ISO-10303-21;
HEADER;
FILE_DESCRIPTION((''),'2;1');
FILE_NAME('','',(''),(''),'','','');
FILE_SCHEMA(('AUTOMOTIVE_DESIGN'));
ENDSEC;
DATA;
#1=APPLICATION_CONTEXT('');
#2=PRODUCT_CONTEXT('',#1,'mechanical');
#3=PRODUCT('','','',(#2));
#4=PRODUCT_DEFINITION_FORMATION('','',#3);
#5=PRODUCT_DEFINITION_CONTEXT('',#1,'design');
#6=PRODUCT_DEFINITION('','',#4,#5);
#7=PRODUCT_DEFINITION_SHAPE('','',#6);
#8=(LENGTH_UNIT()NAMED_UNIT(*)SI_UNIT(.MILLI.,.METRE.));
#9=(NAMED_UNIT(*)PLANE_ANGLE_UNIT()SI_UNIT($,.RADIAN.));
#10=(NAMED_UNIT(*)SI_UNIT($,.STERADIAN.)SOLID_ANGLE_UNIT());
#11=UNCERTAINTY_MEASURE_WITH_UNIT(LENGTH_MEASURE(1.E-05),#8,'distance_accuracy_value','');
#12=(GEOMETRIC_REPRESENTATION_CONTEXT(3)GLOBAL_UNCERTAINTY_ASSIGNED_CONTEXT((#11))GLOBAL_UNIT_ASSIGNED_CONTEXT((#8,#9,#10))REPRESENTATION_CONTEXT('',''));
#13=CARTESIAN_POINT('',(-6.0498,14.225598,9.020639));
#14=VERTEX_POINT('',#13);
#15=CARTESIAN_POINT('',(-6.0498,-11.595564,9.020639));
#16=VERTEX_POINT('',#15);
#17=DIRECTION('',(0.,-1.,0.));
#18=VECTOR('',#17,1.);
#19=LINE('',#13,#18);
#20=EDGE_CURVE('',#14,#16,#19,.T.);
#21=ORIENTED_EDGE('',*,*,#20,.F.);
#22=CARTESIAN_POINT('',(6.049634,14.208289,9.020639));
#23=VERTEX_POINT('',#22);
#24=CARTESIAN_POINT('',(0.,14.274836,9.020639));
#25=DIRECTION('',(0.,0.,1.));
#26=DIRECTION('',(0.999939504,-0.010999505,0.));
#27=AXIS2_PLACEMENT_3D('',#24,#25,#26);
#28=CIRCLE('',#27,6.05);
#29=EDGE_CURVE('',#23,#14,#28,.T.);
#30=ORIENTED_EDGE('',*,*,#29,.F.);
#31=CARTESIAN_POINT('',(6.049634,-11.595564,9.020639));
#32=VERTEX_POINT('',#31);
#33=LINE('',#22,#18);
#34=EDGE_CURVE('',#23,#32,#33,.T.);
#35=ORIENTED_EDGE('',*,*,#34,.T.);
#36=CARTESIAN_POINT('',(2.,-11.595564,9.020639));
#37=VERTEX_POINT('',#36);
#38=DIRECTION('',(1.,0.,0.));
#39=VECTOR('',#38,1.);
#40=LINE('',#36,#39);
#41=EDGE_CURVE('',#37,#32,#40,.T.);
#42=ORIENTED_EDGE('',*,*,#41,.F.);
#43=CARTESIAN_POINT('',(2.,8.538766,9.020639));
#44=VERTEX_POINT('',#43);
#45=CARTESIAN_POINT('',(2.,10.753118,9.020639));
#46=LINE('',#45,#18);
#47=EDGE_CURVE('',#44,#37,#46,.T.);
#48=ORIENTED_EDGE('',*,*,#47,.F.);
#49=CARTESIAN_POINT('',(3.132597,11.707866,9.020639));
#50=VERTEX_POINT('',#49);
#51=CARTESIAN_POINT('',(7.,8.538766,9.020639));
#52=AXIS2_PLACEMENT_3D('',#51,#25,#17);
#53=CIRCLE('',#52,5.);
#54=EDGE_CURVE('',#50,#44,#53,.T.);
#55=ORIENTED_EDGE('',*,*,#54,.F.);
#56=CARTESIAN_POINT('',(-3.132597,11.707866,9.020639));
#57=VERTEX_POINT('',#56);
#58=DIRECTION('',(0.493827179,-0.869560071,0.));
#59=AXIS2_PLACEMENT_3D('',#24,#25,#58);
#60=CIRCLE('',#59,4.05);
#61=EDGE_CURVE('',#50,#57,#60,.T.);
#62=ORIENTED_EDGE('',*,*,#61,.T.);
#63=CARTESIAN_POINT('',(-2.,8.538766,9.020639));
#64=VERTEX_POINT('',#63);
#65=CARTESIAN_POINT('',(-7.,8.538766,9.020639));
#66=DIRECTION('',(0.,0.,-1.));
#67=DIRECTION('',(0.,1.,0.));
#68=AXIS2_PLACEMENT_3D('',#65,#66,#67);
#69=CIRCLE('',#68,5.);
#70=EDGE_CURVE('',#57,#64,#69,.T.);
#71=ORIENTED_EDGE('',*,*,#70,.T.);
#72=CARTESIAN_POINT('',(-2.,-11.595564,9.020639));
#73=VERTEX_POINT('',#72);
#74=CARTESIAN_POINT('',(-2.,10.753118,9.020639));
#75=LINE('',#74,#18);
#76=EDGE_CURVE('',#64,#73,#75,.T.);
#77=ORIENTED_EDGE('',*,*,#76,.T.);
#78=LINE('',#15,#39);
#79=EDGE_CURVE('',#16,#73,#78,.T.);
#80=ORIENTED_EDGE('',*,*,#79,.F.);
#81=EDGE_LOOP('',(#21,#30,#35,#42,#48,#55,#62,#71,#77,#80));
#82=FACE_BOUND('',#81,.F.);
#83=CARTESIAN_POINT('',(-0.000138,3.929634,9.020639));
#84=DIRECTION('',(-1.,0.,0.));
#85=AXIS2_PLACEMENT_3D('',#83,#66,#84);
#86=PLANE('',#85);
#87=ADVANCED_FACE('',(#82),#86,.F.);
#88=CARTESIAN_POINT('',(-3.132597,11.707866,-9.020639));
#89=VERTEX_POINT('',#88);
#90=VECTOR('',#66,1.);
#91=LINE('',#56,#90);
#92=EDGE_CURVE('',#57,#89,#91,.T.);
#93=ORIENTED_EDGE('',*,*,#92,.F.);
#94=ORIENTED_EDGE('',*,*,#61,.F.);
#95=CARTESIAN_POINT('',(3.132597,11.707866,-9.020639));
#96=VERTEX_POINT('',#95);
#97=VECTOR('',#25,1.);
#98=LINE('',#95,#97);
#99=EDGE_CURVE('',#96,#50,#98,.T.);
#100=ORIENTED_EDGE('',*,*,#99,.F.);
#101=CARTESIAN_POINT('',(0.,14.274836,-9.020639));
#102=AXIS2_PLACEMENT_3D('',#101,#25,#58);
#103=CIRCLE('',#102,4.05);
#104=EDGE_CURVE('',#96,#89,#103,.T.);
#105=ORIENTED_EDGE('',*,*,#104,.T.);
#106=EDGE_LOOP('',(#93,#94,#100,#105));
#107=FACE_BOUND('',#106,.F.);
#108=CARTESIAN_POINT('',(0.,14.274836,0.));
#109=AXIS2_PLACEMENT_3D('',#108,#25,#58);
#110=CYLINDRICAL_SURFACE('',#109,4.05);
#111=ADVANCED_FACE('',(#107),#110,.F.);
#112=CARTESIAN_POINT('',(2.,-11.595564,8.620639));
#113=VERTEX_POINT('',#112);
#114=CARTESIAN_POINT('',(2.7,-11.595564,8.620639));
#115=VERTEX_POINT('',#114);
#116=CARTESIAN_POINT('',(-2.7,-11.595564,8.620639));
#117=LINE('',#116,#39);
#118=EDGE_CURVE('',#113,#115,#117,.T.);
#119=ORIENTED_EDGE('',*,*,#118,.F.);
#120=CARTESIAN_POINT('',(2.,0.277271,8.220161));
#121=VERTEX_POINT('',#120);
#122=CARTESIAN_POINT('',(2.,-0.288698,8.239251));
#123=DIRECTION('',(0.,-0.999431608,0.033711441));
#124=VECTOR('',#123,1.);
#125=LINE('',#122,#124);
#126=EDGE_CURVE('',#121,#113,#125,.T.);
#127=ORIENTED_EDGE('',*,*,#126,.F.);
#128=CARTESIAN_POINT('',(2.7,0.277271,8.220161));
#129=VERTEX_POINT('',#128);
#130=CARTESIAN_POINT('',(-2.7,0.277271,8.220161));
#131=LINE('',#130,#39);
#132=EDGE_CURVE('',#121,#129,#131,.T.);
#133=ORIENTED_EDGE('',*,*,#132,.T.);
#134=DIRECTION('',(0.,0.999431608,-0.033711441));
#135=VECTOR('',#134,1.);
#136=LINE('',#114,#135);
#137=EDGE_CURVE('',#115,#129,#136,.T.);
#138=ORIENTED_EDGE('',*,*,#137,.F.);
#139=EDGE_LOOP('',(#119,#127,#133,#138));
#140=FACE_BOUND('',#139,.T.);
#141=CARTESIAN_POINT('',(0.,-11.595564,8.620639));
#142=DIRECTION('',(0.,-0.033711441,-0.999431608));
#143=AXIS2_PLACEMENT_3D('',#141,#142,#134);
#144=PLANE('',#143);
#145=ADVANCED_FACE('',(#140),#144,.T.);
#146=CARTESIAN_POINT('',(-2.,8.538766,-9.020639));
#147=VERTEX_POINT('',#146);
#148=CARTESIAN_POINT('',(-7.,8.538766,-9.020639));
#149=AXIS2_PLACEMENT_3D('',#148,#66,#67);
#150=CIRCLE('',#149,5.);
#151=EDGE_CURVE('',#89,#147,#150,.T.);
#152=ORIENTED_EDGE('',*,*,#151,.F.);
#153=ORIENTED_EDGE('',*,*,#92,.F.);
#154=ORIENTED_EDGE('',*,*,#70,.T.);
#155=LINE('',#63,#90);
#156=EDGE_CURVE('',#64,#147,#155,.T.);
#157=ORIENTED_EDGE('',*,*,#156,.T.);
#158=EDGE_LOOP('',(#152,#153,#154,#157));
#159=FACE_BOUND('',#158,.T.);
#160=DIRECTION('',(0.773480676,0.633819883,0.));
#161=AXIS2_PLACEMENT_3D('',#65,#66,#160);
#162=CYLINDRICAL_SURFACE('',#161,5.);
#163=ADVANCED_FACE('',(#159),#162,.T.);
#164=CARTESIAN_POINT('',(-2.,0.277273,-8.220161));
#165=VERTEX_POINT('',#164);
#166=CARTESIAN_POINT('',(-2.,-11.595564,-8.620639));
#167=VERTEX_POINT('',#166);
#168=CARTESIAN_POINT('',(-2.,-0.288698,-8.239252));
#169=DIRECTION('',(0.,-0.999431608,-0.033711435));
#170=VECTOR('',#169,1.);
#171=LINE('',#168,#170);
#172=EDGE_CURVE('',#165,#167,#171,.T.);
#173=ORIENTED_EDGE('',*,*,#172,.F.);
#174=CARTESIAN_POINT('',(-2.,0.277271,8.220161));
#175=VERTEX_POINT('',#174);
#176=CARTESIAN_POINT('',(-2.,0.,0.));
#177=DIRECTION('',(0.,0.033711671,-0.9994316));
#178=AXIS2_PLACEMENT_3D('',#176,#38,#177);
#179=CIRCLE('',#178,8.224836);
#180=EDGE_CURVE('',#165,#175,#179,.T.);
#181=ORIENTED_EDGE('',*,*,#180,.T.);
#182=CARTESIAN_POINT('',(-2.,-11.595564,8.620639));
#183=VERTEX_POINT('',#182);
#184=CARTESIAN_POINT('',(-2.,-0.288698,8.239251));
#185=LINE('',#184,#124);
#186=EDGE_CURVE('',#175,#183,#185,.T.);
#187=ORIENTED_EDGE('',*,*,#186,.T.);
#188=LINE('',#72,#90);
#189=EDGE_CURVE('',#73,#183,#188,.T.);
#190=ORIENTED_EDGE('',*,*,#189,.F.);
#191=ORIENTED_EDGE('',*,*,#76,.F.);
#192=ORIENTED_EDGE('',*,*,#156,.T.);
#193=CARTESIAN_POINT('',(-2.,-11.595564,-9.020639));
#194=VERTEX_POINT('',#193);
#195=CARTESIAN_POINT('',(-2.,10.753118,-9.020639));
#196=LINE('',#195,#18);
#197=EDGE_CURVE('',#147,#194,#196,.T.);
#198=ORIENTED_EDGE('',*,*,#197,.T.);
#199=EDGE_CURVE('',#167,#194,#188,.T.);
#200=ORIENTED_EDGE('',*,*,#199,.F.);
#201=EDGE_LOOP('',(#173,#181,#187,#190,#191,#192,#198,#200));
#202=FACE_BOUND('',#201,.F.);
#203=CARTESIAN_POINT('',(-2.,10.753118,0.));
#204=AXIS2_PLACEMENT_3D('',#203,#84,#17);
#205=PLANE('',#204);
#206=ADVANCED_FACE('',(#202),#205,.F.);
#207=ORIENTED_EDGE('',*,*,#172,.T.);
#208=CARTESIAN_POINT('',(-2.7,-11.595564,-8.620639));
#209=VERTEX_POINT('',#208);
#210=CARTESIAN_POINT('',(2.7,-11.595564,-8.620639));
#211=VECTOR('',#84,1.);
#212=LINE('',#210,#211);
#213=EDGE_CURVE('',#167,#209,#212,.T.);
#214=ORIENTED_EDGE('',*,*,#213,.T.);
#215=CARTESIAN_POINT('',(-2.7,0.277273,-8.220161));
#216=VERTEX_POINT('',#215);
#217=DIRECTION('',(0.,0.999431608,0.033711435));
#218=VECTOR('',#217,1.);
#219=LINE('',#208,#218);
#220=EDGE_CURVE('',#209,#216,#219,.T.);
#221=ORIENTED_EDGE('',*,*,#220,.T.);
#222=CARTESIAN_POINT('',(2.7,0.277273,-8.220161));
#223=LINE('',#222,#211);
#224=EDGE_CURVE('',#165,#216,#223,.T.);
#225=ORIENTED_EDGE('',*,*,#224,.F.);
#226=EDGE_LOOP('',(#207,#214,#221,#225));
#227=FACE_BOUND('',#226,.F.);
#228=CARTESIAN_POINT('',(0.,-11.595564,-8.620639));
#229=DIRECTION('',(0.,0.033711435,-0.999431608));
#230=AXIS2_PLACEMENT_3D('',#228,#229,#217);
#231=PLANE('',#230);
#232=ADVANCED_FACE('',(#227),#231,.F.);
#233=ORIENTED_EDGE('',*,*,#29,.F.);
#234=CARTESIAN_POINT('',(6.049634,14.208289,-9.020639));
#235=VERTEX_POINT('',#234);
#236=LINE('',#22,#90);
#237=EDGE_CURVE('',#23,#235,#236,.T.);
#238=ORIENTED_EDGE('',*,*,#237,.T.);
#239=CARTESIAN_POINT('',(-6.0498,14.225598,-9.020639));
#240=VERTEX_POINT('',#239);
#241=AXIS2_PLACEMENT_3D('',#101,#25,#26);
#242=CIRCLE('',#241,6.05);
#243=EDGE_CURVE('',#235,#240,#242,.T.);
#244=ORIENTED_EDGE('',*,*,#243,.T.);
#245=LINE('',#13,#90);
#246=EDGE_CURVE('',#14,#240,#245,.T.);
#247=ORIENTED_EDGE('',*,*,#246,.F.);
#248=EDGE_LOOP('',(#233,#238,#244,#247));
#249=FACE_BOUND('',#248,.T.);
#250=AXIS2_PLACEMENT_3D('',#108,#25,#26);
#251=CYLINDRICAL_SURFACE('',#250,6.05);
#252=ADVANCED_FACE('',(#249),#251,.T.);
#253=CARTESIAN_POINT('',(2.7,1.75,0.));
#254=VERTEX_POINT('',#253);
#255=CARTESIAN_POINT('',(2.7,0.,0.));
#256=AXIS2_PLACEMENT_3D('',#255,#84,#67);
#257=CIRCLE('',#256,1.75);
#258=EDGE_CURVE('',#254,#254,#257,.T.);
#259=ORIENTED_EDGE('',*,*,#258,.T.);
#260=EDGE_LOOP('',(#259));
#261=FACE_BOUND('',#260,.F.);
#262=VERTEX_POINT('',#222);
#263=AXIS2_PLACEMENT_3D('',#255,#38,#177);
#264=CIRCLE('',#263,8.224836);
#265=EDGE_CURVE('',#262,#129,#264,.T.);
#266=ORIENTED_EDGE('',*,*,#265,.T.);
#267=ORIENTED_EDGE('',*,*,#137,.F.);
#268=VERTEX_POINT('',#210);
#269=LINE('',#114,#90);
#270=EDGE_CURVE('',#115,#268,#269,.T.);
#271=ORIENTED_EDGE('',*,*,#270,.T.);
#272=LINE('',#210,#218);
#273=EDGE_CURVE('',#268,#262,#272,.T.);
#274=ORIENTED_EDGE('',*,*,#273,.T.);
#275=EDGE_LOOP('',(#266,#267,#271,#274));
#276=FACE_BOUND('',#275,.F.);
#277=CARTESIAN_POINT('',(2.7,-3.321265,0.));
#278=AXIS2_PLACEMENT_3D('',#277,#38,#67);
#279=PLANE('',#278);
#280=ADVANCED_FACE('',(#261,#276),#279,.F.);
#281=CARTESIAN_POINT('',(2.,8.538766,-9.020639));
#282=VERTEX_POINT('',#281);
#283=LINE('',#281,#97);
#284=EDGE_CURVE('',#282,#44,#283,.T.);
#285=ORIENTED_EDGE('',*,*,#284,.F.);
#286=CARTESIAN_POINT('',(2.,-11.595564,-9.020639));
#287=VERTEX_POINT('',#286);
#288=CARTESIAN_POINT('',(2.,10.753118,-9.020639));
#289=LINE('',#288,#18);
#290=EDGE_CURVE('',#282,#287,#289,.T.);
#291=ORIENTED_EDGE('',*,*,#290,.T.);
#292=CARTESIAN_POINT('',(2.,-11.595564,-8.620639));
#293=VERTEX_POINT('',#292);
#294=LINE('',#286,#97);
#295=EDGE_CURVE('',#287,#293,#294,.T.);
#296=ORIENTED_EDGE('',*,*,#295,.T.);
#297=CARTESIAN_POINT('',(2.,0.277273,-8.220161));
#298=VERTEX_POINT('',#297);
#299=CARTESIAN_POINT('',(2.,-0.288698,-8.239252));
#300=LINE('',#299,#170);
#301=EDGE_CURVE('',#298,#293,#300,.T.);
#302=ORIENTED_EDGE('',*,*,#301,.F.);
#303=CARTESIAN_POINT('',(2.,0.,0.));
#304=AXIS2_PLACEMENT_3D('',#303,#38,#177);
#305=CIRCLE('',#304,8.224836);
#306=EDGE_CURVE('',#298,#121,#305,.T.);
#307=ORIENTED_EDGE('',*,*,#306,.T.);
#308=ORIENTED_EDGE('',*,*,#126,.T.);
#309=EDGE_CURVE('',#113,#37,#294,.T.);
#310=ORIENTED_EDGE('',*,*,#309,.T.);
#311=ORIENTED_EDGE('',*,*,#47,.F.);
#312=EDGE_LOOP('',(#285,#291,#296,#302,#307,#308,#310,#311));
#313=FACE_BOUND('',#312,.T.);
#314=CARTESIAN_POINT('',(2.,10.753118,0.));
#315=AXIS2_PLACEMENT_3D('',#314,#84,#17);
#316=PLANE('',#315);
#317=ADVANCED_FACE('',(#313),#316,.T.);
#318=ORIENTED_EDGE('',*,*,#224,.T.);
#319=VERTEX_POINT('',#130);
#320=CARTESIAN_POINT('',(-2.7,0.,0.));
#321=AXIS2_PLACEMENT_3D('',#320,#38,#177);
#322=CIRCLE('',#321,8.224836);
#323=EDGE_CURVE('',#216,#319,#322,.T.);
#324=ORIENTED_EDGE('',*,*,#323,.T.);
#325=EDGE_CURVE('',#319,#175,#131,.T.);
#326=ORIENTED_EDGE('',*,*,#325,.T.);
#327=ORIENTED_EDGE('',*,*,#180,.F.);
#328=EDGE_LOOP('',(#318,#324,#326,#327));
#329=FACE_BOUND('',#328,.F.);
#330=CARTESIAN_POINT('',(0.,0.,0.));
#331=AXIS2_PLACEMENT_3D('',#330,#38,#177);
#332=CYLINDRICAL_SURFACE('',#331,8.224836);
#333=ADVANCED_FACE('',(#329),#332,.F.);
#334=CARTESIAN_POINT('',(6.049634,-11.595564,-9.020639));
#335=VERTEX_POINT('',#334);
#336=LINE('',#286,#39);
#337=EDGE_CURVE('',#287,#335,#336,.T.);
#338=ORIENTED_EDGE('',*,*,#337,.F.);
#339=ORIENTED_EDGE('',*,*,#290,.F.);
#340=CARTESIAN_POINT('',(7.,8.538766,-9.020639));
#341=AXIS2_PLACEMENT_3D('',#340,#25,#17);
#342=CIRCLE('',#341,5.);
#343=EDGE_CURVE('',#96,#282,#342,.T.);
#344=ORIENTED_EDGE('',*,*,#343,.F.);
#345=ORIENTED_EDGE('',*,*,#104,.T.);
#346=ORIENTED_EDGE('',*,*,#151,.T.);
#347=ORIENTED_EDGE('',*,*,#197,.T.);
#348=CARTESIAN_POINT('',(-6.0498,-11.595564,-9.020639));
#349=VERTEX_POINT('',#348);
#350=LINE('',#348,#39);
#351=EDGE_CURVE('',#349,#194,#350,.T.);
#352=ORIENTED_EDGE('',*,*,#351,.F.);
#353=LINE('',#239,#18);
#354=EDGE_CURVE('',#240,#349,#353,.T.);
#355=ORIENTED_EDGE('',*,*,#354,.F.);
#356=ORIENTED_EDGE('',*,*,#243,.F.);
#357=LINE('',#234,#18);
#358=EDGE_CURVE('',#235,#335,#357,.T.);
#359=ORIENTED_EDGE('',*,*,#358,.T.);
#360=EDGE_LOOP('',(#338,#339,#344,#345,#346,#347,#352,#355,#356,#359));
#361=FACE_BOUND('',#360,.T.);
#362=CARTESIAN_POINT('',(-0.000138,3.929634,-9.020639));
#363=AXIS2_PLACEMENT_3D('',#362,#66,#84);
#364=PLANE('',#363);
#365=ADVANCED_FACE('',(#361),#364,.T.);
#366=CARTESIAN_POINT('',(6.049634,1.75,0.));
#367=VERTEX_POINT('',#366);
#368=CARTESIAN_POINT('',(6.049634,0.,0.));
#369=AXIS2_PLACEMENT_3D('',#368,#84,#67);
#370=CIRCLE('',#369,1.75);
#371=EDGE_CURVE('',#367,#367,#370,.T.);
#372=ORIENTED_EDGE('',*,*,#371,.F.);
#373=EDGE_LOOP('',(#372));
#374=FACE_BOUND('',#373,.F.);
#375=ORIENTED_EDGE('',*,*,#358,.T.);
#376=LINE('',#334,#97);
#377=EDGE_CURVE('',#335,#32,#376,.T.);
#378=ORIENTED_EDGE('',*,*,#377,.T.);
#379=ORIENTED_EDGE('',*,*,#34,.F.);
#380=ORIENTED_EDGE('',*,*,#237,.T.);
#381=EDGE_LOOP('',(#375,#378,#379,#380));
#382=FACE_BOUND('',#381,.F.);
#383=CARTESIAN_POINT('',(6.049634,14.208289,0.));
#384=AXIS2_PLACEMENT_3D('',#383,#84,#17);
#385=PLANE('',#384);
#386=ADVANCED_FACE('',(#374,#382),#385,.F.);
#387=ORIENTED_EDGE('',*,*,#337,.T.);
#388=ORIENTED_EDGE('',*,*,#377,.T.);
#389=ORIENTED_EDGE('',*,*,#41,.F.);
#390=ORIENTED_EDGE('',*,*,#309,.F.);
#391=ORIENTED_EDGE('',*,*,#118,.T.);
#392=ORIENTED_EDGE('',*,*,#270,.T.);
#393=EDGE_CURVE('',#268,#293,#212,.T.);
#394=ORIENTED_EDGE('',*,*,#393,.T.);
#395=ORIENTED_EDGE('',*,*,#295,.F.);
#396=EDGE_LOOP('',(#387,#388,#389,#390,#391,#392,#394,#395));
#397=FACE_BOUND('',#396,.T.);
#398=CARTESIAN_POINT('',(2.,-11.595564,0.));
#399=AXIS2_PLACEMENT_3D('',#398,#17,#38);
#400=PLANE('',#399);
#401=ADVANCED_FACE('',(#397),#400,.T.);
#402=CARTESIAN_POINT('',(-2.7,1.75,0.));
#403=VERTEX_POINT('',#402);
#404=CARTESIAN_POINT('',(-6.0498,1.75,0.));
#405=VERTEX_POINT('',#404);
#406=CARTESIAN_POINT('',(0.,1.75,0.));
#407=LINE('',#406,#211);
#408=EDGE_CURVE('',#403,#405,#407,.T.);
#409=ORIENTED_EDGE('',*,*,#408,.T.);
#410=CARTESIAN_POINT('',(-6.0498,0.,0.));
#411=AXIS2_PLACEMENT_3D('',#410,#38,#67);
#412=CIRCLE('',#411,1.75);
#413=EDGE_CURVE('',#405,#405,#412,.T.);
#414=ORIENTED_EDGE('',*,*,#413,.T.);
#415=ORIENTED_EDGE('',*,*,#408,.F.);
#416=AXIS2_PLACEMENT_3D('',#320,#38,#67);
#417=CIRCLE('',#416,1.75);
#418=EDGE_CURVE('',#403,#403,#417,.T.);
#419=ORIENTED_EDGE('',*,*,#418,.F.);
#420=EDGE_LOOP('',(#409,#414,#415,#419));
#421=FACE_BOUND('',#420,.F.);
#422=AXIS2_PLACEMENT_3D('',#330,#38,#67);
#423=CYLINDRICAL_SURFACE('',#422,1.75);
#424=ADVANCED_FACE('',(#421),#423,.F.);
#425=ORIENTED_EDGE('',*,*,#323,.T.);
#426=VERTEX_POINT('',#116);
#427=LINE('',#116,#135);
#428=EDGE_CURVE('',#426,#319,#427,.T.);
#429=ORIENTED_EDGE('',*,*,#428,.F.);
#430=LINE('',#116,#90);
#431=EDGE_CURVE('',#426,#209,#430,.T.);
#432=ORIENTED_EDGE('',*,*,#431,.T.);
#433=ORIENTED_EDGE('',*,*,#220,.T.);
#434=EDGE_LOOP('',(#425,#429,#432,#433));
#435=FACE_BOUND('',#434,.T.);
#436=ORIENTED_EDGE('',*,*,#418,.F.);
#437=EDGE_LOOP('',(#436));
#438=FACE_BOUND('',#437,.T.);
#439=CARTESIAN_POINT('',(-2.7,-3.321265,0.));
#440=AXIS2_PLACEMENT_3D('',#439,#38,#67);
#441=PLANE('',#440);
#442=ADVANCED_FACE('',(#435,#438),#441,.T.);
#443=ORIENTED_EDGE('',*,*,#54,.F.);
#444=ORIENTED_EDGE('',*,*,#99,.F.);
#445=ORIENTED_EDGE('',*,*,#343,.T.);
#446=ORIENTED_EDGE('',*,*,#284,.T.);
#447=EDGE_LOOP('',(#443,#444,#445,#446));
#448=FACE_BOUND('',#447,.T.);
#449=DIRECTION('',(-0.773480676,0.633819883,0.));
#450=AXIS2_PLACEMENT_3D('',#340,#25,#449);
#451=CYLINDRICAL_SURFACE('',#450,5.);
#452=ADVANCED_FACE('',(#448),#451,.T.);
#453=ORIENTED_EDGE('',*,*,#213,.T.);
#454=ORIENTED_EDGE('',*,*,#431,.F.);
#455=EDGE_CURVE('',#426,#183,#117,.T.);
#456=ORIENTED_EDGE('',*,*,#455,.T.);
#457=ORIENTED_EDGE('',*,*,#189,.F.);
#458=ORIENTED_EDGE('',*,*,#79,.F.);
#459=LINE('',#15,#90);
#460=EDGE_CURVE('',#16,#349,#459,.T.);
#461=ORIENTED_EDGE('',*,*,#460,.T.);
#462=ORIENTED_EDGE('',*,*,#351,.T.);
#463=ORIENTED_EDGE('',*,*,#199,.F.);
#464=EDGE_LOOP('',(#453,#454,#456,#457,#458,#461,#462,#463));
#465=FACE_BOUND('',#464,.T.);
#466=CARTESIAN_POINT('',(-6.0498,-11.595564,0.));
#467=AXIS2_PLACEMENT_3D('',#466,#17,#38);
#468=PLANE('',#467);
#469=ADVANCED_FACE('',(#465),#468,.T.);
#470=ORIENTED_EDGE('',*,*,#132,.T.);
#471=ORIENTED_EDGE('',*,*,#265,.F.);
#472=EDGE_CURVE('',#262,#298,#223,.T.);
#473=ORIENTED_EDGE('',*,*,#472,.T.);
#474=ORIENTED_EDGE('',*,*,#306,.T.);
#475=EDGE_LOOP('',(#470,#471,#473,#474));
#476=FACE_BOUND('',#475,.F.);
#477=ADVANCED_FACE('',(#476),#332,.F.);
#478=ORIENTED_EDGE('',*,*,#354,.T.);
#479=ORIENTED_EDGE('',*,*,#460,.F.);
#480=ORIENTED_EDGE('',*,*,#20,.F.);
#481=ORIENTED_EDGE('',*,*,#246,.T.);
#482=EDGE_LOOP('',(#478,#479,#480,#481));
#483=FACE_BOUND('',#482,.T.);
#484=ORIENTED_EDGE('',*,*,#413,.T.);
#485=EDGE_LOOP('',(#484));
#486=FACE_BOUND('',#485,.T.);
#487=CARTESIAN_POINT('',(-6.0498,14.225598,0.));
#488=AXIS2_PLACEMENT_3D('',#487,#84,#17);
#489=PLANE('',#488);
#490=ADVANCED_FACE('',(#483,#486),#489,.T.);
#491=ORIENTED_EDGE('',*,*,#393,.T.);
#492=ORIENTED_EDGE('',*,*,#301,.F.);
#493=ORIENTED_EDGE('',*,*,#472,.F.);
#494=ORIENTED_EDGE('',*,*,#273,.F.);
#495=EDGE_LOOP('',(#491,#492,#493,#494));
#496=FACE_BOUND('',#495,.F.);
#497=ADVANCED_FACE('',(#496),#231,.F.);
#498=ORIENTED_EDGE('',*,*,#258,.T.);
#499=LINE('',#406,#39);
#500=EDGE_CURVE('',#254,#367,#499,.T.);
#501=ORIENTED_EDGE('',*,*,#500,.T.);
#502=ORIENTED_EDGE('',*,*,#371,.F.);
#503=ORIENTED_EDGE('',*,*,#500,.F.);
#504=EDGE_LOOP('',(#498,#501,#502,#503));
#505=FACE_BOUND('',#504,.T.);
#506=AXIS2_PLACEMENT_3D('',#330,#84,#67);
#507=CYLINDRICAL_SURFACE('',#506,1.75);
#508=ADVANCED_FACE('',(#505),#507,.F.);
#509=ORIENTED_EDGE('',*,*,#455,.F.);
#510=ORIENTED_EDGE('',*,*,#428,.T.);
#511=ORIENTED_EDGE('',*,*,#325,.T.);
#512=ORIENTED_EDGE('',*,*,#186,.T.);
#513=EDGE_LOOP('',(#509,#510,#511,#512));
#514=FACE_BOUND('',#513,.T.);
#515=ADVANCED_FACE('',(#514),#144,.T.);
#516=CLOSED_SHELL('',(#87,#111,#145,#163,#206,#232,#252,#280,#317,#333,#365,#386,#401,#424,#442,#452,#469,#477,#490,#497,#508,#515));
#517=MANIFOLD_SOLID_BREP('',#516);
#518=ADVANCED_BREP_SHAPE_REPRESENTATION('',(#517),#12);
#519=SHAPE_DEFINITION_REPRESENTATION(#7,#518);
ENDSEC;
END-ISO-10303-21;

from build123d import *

# Parameters (mm, degrees)
PAD_DEPTH            = 9.020639
POCKET_DEPTH         = 2.7
SKETCH003_R          = 1.75
POCKET001_DEPTH      = 6.051
POCKET001_DEPTH_BACK = -6.051
FILLET_R             = 5


with BuildPart() as part:
    # Sketch001 → Pad (new body, symmetric)
    with BuildSketch(Plane.XY):
        with BuildLine():
            ThreePointArc((2, 10.753118), (0, 18.324836), (-2, 10.753118))
            Line((-2, 10.753118), (-2, -11.595564))
            Line((-6.0498, -11.595564), (-2, -11.595564))
            Line((-6.0498, 14.225598), (-6.0498, -11.595564))
            ThreePointArc((6.049634, 14.208289), (0.008655, 20.32483), (-6.0498, 14.225598))
            Line((6.049634, 14.208289), (6.049634, -11.595564))
            Line((2, -11.595564), (6.049634, -11.595564))
            Line((2, 10.753118), (2, -11.595564))
        make_face()
    extrude(amount=PAD_DEPTH, both=True)

    # Sketch002 → Pocket (cut, symmetric)
    with BuildSketch(Plane.YZ):
        with BuildLine():
            ThreePointArc((0.277273, -8.220161), (8.224836, 1e-06), (0.277271, 8.220161))
            Line((-11.595564, 8.620639), (0.277271, 8.220161))
            Line((-11.595564, 8.620639), (-11.595564, -8.620639))
            Line((-11.595564, -8.620639), (0.277273, -8.220161))
        make_face()
    extrude(amount=POCKET_DEPTH, both=True, mode=Mode.SUBTRACT)

    # Sketch003 → Pocket001 (cut, two sides)
    with BuildSketch(Plane.YZ) as pocket001_sk:
        Circle(SKETCH003_R)
    extrude(amount=-POCKET001_DEPTH, mode=Mode.SUBTRACT)
    extrude(pocket001_sk.sketch, amount=-POCKET001_DEPTH_BACK, mode=Mode.SUBTRACT)

    # Fillet
    fillet_edges = [part.edges().sort_by_distance(p)[0] for p in [
        (2, 10.753118, 0),
        (-2, 10.753118, 0),
    ]]
    fillet(fillet_edges, radius=FILLET_R)


solid = part.part
